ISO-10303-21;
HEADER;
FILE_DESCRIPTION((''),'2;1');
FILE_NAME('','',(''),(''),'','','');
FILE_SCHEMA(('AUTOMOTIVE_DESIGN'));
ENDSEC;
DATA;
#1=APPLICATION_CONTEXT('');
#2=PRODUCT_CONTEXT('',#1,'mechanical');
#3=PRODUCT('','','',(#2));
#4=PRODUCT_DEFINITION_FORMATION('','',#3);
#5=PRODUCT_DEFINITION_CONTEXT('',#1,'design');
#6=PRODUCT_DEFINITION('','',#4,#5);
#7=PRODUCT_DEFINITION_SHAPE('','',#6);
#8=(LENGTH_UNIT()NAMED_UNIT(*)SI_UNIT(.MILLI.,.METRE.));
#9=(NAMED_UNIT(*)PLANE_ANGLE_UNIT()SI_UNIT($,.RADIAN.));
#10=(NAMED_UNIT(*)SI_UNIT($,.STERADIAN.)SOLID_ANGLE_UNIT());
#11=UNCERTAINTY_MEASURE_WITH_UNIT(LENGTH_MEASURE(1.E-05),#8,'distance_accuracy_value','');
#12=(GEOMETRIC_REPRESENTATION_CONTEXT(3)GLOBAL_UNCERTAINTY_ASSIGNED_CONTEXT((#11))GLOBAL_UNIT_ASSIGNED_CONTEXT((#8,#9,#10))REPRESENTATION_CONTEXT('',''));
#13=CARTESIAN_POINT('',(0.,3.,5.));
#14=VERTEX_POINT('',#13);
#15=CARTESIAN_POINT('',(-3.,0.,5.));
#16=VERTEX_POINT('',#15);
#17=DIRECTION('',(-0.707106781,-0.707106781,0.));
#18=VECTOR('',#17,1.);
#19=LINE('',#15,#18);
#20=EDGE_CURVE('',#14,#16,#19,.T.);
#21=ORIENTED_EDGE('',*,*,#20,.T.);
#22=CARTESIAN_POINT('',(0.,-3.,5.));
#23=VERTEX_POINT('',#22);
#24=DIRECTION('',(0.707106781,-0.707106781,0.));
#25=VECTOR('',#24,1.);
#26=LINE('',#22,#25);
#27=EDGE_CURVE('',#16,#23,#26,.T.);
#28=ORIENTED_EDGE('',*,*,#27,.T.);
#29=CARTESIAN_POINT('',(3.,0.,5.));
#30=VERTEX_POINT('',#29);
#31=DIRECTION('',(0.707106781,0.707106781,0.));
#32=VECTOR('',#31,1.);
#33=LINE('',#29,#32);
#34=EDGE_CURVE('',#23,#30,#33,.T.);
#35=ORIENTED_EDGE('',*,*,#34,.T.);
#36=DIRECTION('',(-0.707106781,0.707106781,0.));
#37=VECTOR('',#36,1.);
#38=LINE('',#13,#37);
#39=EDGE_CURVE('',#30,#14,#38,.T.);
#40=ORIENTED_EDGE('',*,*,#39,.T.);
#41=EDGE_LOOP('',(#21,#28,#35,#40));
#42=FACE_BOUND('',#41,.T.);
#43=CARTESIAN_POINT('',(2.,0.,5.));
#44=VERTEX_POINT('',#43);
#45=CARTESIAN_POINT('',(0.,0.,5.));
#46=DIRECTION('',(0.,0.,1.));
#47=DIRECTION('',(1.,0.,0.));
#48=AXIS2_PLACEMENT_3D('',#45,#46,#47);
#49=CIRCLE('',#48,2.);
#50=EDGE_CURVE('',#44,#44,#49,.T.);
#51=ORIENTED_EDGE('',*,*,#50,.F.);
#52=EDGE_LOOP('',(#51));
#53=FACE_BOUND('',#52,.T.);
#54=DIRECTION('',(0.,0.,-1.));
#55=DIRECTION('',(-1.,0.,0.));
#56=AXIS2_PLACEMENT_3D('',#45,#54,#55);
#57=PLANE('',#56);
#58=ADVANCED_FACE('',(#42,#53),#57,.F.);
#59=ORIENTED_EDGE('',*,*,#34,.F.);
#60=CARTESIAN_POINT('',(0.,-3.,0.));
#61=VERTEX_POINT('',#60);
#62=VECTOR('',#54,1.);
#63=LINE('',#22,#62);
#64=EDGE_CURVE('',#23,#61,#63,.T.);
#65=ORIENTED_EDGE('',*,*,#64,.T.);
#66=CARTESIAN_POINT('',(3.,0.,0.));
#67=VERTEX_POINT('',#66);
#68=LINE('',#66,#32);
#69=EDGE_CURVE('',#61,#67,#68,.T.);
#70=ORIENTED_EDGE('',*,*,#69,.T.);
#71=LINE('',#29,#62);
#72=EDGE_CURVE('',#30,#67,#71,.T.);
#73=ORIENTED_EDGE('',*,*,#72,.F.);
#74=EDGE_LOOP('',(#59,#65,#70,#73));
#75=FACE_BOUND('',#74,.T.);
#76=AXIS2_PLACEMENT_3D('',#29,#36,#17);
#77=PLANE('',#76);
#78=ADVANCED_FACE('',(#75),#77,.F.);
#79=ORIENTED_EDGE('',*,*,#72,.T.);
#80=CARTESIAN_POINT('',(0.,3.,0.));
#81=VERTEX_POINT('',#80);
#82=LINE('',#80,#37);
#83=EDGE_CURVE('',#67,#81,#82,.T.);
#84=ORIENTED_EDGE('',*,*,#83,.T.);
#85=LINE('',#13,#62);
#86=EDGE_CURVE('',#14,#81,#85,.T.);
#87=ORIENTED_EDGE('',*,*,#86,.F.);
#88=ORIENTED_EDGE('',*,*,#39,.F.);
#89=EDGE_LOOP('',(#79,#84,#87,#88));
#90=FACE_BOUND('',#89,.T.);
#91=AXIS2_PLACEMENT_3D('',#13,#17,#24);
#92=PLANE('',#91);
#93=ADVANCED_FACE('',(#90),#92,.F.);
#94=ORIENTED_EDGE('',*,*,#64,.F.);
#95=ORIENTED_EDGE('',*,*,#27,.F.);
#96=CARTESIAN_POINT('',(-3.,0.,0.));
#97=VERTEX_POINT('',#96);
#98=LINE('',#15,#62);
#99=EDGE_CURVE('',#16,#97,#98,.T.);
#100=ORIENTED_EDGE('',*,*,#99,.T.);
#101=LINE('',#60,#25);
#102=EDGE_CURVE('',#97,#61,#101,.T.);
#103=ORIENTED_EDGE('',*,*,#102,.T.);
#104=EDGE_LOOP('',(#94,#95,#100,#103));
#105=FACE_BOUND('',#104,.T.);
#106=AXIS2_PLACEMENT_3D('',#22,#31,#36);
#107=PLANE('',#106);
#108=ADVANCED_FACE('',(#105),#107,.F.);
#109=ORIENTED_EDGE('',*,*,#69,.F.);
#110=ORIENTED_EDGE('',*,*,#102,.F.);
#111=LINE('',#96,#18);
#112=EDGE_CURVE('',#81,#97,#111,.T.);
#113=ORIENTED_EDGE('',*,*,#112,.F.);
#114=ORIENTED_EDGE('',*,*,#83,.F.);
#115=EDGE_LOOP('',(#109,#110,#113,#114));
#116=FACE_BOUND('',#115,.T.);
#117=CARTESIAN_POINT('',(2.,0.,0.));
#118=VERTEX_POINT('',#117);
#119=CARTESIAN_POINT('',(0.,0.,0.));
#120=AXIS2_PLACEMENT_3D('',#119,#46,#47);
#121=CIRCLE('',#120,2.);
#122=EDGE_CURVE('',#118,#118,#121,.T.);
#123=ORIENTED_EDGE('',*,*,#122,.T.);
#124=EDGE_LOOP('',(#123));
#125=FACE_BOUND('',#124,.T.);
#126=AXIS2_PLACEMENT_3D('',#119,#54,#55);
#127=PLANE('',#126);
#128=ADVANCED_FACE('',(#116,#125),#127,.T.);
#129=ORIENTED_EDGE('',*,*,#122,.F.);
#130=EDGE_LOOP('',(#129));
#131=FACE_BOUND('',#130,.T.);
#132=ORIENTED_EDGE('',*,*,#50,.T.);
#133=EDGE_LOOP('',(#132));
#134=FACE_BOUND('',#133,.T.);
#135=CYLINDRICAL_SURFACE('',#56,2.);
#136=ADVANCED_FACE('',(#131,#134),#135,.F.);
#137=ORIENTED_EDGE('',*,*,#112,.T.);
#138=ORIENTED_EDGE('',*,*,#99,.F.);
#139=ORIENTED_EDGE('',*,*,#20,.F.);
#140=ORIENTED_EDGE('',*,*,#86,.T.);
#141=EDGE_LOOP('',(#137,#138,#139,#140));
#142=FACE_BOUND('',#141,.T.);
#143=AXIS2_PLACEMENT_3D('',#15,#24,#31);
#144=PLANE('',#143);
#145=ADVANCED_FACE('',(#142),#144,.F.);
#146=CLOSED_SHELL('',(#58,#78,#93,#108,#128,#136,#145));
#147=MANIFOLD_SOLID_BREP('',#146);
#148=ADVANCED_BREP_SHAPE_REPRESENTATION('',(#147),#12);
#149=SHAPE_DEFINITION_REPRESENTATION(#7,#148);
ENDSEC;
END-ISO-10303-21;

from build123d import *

# Parameters (mm, degrees)
CROQUIS1_R              = 2
SALIENTE_EXTRUIR1_DEPTH = 5


with BuildPart() as part:
    # Croquis1 → Saliente-Extruir1 (new body)
    with BuildSketch(Plane.XY):
        Polygon((0, 3), (3, 0), (0, -3), (-3, 0), align=None)
        Circle(CROQUIS1_R, mode=Mode.SUBTRACT)
    extrude(amount=SALIENTE_EXTRUIR1_DEPTH)


solid = part.part
